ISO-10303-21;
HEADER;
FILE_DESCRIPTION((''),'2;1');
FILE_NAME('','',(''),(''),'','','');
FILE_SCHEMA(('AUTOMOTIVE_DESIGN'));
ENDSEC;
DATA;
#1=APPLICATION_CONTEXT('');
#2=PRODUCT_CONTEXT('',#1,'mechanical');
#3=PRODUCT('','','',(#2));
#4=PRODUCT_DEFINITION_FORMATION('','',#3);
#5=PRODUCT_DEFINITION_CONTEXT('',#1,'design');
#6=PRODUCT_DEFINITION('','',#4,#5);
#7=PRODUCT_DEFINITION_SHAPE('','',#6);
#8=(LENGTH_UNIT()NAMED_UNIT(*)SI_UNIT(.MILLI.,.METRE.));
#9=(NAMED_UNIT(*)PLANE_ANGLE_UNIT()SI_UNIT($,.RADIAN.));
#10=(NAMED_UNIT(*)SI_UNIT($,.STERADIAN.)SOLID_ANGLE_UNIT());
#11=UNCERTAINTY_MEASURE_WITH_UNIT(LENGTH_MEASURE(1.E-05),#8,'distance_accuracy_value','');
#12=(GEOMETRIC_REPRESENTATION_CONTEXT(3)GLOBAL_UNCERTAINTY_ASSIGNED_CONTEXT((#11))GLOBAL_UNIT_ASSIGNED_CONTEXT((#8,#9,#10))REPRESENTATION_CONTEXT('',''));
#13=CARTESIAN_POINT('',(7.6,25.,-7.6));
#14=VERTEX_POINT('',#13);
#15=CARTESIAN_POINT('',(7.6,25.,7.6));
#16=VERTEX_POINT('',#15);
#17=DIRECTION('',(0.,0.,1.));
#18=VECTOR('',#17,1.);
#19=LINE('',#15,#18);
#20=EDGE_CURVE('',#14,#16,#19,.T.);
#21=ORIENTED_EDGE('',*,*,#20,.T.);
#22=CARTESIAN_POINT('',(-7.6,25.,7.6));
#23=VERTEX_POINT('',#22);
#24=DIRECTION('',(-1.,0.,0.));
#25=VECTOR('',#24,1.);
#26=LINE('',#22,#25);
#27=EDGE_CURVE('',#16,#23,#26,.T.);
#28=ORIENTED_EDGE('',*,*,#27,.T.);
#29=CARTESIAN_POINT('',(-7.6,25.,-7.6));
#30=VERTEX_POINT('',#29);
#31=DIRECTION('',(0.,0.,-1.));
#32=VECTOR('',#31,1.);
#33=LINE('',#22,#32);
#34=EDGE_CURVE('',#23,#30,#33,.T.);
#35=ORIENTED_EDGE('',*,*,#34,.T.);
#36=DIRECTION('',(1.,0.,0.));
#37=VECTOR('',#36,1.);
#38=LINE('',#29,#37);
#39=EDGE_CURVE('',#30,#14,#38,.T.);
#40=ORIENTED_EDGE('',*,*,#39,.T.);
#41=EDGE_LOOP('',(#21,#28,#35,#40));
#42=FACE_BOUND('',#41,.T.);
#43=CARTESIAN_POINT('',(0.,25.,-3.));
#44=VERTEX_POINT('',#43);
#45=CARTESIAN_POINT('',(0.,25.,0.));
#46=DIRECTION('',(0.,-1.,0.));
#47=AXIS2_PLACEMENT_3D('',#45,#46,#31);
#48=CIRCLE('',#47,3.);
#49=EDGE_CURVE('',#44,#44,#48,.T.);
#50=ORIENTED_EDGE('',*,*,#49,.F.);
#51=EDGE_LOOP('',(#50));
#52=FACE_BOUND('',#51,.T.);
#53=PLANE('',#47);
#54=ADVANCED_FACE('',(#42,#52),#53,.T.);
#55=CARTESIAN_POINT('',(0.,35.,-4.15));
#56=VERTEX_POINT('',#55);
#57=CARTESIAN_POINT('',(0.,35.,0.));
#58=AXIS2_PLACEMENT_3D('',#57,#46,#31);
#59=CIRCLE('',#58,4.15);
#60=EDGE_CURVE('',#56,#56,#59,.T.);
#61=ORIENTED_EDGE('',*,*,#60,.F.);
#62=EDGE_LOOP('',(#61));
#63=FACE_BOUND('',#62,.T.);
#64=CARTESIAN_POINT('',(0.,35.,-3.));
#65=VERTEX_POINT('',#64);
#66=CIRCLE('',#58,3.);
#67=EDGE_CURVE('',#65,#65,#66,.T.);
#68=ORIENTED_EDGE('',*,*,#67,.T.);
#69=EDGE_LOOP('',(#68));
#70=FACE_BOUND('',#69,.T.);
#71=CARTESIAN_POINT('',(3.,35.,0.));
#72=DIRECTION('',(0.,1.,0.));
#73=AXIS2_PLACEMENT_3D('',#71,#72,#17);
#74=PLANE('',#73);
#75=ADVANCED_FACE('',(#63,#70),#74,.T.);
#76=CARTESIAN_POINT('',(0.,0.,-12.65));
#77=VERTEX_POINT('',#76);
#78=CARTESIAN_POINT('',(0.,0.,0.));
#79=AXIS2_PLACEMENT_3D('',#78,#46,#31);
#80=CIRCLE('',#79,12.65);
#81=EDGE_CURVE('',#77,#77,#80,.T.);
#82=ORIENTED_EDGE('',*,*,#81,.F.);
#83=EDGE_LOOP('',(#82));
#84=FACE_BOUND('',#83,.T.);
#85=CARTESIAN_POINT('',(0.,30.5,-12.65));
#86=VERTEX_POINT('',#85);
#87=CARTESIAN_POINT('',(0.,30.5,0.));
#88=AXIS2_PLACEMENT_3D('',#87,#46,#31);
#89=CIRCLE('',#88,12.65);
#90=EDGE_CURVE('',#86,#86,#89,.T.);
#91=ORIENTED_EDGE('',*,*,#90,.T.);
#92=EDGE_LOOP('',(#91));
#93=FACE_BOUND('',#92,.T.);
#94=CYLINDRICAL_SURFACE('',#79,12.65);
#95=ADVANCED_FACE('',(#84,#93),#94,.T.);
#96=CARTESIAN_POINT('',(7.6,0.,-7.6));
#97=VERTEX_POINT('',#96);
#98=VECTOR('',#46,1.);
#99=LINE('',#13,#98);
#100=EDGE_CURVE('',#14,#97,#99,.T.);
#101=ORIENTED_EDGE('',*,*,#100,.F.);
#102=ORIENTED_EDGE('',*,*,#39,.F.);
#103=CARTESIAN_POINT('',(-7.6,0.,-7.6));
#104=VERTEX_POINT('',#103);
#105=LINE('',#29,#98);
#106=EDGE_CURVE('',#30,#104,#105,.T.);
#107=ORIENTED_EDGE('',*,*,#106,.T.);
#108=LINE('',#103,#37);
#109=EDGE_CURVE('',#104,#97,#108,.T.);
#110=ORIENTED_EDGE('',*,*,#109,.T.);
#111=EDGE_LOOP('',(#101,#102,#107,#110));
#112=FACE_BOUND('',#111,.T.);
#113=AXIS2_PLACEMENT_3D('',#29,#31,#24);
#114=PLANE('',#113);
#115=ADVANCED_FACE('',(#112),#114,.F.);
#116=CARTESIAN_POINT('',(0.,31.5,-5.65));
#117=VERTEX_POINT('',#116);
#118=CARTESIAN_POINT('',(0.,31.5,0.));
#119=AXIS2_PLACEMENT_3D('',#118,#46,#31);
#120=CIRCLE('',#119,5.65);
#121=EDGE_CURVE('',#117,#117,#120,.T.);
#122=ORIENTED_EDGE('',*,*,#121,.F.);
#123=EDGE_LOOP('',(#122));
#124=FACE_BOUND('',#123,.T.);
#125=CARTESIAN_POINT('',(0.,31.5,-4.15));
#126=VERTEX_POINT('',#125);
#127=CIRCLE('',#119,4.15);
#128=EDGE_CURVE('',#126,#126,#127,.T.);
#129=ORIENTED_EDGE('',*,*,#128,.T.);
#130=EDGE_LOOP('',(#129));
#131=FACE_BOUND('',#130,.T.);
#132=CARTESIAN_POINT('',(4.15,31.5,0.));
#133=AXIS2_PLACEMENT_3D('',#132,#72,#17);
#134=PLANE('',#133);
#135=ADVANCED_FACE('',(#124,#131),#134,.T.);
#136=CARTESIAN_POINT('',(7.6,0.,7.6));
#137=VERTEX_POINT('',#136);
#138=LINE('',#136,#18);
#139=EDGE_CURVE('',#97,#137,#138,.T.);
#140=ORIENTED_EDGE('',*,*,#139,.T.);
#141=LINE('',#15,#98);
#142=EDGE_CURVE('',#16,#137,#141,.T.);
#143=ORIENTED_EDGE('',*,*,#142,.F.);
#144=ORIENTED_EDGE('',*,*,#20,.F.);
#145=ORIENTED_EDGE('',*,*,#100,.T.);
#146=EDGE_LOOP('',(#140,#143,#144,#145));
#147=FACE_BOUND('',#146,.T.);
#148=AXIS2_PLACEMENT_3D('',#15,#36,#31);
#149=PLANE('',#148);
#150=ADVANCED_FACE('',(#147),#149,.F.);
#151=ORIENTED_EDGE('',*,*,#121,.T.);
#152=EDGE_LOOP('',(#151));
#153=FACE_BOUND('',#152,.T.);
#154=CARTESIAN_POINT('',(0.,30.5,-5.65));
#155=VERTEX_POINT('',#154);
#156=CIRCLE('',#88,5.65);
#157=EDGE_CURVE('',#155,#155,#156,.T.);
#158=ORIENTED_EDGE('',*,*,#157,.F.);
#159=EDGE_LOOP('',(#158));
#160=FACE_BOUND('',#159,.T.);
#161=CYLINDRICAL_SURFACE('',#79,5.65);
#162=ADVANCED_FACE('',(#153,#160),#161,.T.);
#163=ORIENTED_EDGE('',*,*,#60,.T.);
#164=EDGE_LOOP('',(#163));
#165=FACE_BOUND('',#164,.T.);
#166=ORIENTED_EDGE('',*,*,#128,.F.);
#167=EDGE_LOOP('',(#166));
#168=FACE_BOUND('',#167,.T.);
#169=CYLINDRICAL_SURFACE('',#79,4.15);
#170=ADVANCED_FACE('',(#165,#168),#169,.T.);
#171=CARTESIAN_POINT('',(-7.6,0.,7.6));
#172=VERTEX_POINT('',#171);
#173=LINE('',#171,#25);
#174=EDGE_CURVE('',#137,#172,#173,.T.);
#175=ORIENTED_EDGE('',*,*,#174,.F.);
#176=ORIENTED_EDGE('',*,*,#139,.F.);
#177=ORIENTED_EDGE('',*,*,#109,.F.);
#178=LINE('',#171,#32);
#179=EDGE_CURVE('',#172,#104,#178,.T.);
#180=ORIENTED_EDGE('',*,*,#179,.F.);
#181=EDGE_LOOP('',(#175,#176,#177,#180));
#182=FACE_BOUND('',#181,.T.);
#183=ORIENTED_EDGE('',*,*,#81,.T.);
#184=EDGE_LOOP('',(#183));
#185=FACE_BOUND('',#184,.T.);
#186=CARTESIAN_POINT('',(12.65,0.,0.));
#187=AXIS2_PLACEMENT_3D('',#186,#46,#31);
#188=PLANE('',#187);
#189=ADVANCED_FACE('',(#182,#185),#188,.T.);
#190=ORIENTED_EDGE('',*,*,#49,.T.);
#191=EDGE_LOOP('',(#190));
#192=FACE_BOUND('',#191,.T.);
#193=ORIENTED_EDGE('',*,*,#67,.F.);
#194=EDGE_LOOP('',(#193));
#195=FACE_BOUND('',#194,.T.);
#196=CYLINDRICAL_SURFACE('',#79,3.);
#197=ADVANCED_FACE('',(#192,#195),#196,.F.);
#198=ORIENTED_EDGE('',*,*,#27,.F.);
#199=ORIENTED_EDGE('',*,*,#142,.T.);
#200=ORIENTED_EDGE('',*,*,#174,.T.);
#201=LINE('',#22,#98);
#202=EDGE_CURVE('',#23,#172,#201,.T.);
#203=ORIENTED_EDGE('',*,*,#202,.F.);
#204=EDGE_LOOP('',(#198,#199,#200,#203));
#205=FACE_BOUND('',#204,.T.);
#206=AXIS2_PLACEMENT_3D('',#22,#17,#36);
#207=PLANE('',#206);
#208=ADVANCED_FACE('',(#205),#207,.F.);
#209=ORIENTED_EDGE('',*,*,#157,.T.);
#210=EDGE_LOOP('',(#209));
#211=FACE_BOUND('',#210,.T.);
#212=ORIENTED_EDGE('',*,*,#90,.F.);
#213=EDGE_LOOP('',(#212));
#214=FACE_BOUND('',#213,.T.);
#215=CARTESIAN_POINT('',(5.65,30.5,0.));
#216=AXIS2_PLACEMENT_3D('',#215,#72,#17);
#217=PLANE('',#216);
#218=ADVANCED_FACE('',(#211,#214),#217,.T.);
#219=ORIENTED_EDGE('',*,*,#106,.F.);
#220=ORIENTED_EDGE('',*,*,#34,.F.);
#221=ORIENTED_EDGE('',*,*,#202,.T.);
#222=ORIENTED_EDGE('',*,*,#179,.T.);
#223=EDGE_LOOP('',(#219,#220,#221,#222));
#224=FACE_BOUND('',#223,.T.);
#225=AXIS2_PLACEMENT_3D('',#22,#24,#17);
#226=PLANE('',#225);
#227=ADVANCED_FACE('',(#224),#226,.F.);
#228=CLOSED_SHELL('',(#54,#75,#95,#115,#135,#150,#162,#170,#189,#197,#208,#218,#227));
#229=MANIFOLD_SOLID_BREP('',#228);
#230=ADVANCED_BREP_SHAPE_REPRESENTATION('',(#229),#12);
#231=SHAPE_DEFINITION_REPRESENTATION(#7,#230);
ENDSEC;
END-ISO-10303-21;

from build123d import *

# Parameters (mm, degrees)
SKETCH_2_W          = 15.2
SKETCH_2_H          = 15.2
CUT_EXTRUDE_1_DEPTH = 25


with BuildPart() as part:
    # Эскиз1 → Повернуть1 (revolve)
    with BuildSketch(Plane.XY, mode=Mode.PRIVATE) as revolve_1_sk:
        Polygon((0, 20), (3, 20), (3, 35), (4.15, 35), (4.15, 31.5), (5.65, 31.5), (5.65, 30.5), (12.65, 30.5), (12.65, 0), (0, 0), align=None)
    revolve(revolve_1_sk.sketch.rotate(Axis((0, 0, 0), (0, 1, 0)), 90), axis=Axis((0, 0, 0), (0, 1, 0)))

    # Эскиз2 → Вырез-Вытянуть1 (cut)
    with BuildSketch(Plane.XZ):
        Rectangle(SKETCH_2_W, SKETCH_2_H)
    extrude(amount=-CUT_EXTRUDE_1_DEPTH, mode=Mode.SUBTRACT)


solid = part.part
